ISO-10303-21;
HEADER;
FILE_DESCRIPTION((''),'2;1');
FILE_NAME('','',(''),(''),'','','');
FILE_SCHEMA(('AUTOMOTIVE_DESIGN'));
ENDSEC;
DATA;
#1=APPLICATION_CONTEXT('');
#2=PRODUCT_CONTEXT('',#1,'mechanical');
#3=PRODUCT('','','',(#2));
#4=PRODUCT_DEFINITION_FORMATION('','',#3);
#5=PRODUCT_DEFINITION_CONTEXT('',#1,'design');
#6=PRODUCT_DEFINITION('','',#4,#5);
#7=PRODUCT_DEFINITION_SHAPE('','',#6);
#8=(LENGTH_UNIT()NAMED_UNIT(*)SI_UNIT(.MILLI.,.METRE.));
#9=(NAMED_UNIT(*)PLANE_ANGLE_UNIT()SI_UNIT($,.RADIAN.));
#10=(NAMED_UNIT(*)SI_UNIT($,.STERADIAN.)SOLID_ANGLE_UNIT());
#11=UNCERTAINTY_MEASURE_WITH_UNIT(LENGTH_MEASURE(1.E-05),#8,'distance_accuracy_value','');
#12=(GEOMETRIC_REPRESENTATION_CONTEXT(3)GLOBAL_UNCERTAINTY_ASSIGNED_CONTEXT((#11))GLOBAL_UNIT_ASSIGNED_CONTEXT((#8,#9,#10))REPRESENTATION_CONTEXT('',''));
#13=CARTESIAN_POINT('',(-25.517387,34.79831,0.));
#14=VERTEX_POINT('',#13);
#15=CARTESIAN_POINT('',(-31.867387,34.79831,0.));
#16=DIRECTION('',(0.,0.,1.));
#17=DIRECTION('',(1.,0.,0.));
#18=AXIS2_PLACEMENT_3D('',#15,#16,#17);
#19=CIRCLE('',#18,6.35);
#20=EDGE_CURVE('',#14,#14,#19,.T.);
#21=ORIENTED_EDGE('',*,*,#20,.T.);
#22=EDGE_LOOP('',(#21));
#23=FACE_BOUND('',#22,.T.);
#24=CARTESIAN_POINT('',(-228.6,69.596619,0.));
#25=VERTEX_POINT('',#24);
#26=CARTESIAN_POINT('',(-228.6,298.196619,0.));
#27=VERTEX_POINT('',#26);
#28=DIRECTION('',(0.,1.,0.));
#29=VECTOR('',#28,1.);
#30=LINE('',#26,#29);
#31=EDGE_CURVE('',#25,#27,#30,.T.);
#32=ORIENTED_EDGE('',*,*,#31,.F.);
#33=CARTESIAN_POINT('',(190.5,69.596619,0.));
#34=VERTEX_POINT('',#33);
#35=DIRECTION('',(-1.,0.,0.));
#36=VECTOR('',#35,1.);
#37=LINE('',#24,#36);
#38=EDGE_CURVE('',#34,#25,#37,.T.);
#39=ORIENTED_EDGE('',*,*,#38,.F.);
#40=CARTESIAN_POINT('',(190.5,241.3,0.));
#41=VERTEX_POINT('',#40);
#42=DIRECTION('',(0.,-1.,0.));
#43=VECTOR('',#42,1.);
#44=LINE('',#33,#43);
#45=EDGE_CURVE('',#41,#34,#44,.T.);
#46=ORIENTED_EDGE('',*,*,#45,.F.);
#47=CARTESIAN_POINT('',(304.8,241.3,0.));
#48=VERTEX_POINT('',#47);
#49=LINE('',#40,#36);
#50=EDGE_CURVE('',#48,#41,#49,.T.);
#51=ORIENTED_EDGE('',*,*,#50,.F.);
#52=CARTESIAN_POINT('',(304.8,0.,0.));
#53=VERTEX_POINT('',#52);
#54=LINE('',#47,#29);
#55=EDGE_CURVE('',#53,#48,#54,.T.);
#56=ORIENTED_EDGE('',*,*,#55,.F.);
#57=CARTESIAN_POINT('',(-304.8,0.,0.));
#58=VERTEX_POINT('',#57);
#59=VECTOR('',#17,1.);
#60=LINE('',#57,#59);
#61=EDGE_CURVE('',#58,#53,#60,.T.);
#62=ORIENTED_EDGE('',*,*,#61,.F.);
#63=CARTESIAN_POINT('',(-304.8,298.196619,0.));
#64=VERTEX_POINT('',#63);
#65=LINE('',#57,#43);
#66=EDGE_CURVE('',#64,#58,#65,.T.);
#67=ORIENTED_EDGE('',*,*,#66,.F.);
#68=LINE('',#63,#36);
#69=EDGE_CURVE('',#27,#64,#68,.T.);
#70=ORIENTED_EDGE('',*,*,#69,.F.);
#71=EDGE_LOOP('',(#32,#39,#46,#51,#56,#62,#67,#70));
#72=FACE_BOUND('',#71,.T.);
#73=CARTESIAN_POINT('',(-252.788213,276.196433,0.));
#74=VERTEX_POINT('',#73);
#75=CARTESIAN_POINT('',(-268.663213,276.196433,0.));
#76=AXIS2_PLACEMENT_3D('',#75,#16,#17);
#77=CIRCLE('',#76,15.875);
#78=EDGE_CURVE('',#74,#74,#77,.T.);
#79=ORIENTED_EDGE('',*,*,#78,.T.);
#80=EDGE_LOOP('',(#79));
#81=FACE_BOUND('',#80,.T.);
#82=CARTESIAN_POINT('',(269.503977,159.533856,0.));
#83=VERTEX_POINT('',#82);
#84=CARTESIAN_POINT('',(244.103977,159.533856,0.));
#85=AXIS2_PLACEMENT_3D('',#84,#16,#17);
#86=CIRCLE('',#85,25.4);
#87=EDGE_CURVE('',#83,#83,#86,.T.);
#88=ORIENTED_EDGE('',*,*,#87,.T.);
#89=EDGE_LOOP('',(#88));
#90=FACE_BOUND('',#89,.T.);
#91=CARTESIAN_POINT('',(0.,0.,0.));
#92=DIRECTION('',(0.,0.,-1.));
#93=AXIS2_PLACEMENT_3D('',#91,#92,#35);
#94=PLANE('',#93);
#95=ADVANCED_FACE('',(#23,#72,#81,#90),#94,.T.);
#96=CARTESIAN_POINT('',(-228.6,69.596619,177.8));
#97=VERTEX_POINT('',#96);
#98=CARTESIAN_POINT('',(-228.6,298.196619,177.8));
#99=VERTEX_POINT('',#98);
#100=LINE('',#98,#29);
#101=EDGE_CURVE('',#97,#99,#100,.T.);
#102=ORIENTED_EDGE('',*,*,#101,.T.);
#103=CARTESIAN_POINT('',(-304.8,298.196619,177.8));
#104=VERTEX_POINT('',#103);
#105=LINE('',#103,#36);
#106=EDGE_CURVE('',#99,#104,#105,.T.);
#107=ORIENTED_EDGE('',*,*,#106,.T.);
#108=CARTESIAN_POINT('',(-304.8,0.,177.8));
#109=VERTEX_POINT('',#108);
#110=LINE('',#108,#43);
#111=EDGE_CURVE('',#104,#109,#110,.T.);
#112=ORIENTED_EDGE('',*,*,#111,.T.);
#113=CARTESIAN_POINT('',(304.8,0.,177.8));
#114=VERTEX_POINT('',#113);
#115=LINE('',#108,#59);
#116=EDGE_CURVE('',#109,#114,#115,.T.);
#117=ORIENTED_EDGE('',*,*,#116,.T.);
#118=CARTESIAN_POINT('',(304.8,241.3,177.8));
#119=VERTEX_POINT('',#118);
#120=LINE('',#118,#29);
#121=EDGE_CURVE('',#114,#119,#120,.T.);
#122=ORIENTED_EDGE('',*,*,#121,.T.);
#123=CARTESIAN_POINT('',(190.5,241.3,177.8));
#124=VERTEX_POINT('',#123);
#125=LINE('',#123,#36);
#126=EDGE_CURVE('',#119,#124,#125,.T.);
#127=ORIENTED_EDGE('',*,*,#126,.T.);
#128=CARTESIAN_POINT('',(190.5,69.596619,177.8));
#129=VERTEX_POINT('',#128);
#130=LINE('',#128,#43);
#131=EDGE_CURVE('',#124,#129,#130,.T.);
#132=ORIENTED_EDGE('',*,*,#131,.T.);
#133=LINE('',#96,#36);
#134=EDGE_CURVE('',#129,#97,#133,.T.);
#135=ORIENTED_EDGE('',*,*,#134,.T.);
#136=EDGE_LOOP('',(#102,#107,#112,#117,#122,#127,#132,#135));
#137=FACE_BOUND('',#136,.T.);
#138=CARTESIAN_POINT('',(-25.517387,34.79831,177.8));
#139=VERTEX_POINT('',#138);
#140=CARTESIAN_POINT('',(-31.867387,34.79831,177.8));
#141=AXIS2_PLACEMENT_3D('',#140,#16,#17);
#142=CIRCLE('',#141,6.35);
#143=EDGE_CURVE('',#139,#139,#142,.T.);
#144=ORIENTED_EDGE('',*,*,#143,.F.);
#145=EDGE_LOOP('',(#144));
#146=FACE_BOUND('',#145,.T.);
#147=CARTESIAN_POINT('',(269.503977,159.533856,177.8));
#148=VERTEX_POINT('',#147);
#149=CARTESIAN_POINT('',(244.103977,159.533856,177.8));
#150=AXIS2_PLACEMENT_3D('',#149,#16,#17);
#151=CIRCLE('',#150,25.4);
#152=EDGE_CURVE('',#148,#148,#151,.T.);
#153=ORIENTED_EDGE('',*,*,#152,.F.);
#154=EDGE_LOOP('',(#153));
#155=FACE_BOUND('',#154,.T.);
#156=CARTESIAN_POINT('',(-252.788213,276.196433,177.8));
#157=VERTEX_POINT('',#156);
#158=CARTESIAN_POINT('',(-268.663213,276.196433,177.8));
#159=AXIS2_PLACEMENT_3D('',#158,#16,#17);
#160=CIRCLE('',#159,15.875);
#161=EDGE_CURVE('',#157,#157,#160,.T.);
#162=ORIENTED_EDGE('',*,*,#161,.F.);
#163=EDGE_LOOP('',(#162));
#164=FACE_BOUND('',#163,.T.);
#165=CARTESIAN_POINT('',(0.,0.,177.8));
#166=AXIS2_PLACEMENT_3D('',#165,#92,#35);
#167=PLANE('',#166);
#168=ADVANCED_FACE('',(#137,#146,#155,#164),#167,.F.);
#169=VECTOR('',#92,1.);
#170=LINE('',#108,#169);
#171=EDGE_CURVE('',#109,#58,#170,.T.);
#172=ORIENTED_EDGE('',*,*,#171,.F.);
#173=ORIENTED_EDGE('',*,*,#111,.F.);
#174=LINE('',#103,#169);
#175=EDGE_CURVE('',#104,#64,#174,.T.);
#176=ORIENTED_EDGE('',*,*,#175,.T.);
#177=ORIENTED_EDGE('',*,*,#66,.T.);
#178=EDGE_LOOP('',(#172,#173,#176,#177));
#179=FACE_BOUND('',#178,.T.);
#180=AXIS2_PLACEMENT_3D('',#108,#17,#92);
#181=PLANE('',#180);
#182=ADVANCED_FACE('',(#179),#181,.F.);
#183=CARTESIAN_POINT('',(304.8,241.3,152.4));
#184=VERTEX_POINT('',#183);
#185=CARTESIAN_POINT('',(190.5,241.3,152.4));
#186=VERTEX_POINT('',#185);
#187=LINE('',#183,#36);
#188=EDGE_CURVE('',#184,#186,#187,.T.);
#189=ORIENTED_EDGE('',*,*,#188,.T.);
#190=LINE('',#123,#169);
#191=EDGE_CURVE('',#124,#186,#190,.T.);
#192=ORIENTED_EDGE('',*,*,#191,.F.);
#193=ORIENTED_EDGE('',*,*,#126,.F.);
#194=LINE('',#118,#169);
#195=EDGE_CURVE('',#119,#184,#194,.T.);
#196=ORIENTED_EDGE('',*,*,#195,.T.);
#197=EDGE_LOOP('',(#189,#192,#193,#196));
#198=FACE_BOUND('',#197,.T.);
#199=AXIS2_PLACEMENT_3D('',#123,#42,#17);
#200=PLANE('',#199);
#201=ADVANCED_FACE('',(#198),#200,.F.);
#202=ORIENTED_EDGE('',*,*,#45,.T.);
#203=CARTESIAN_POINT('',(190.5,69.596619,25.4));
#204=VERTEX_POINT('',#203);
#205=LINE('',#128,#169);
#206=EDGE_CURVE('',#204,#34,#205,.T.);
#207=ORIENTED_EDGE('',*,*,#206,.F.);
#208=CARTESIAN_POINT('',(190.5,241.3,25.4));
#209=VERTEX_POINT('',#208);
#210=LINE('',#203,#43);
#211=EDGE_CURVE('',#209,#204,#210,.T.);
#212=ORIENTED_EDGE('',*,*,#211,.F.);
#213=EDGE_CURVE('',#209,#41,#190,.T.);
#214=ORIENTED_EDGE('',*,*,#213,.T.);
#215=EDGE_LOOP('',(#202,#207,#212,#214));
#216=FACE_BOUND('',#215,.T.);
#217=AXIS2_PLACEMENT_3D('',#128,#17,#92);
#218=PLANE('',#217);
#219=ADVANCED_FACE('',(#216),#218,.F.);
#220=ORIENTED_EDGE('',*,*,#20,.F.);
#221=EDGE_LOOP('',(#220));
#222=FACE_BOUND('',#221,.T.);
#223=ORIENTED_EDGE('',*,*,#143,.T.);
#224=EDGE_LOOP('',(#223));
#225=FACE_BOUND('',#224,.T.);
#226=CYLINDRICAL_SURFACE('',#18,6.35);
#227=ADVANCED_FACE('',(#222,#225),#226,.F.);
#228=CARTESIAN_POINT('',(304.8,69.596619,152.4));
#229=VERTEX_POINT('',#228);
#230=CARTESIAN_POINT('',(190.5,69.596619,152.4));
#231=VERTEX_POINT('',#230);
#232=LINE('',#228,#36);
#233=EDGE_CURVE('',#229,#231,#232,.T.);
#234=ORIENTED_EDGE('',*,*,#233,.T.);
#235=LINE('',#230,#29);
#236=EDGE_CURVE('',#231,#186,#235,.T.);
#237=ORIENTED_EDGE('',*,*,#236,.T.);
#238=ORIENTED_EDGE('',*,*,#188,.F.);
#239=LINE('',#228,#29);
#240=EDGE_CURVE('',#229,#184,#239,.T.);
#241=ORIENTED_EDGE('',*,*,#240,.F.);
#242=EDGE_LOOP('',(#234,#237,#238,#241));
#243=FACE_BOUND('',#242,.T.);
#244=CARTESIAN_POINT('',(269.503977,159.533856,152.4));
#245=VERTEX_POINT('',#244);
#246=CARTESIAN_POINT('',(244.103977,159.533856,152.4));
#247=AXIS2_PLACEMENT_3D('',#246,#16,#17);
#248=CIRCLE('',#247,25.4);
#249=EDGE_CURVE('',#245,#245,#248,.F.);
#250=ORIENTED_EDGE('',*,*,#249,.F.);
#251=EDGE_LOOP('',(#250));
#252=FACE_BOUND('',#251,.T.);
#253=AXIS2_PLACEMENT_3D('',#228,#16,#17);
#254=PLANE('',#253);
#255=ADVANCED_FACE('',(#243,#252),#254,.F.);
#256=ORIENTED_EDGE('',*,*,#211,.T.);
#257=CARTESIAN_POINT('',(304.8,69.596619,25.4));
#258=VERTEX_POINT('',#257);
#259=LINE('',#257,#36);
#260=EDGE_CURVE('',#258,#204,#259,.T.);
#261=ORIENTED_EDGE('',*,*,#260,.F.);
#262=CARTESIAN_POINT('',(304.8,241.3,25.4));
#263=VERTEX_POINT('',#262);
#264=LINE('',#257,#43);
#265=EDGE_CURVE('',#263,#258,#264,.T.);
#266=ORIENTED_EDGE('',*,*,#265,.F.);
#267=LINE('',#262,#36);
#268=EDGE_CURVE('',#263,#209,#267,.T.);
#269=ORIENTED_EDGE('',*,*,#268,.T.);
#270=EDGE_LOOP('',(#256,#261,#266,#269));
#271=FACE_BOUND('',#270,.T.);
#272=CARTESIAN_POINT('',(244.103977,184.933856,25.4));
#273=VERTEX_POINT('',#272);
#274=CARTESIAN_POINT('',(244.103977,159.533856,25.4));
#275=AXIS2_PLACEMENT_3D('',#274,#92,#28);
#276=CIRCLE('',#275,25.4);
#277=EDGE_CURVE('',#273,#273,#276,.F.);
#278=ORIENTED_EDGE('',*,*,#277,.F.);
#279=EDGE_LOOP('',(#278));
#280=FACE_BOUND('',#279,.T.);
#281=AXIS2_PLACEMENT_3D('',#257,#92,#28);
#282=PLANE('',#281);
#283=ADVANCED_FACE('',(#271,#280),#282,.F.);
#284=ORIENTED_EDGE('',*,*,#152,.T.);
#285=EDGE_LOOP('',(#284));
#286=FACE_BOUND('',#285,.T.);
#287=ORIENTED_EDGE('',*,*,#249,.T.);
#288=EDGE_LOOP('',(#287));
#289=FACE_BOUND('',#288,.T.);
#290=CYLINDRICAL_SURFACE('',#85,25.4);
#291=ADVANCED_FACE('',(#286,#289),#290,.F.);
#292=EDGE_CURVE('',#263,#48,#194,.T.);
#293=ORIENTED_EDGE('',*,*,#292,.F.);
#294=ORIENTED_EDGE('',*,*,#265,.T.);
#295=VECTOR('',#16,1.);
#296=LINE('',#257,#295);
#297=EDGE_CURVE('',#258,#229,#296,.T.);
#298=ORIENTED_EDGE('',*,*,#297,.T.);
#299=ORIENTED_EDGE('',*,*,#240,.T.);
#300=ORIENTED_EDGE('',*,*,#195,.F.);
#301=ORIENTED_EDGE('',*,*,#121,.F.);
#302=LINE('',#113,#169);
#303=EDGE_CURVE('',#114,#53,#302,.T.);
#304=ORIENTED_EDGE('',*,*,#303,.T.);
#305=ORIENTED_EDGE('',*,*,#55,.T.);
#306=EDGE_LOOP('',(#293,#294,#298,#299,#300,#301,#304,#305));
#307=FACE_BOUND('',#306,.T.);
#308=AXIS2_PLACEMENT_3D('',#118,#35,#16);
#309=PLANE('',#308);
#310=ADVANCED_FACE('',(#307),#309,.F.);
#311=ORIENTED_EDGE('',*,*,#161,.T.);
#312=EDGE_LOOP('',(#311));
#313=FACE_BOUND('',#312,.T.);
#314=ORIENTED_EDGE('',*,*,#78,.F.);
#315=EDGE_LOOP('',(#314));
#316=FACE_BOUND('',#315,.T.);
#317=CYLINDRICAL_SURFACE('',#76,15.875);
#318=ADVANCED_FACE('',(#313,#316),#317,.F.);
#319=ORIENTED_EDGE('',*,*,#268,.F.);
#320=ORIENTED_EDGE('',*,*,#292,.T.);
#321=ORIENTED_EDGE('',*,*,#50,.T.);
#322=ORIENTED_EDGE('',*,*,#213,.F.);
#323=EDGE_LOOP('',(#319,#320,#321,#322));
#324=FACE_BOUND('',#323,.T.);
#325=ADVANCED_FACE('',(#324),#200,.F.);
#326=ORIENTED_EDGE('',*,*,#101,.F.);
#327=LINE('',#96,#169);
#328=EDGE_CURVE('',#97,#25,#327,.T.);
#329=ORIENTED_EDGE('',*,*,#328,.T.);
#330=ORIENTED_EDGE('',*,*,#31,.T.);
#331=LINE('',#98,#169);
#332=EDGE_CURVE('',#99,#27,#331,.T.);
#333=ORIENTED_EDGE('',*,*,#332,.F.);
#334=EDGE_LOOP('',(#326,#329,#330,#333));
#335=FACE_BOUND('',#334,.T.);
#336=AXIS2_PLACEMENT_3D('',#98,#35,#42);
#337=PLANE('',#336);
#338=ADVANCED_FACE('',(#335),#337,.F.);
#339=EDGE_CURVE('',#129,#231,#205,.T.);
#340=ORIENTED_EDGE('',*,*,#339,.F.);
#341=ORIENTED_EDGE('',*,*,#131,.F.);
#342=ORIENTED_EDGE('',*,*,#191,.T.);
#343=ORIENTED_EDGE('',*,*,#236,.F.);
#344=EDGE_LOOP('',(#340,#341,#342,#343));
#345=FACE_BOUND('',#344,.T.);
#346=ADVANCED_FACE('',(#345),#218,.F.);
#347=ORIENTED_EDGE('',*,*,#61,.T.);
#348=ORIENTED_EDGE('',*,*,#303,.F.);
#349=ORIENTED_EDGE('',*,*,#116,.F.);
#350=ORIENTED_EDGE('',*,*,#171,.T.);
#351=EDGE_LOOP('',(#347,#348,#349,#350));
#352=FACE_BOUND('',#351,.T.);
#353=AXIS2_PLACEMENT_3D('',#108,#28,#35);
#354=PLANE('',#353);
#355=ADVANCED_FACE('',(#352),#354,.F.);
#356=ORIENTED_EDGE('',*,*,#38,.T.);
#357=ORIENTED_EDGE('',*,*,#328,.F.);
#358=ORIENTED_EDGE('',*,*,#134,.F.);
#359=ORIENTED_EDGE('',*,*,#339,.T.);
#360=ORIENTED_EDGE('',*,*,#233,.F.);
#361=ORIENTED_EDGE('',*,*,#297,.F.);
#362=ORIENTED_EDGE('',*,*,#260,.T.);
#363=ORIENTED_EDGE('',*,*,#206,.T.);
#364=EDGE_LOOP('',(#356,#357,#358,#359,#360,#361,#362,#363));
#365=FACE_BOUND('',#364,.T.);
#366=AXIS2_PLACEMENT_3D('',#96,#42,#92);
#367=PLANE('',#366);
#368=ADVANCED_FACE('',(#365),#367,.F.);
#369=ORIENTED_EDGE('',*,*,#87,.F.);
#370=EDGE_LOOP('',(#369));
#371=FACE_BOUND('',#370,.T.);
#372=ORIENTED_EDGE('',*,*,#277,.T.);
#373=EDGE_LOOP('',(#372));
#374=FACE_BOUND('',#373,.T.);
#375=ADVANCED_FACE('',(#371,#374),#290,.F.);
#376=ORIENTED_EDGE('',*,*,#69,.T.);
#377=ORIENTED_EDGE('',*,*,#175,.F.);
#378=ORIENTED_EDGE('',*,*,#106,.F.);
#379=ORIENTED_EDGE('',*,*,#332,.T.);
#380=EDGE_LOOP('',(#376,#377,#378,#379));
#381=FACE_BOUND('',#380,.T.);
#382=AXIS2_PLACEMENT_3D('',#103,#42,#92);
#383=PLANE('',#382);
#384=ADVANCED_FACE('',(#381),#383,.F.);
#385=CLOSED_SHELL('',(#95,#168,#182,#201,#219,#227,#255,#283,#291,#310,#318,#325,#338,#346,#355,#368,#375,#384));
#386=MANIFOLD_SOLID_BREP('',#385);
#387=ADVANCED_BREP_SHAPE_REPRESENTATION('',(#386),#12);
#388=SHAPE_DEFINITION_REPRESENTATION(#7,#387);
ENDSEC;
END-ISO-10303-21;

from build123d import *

# Parameters (mm, degrees)
BOSS_EXTRUDE1_DEPTH = 177.8
SKETCH4_R           = 25.4
SKETCH4_R_2         = 15.875
SKETCH4_R_3         = 6.35
CUT_EXTRUDE1_DEPTH  = 462.992536298
SKETCH5_W           = 127
SKETCH5_H           = 171.70338098
CUT_EXTRUDE2_DEPTH  = 605.86044142


with BuildPart() as part:
    # Sketch1 → Boss-Extrude1 (new body)
    with BuildSketch(Plane.XY):
        Polygon((-304.8, 0), (304.8, 0), (304.8, 241.3), (190.5, 241.3), (190.5, 69.59661902), (-228.6, 69.59661902), (-228.6, 298.19661902), (-304.8, 298.19661902), align=None)
    extrude(amount=BOSS_EXTRUDE1_DEPTH)

    # Sketch4 → Cut-Extrude1 (cut, through all)
    with BuildSketch(Plane.XY.offset(177.8)):
        with Locations((244.103977456, 159.533856411)):
            Circle(SKETCH4_R)
        with Locations((-268.663213375, 276.196433082)):
            Circle(SKETCH4_R_2)
        with Locations((-31.867387375, 34.79830951)):
            Circle(SKETCH4_R_3)
    extrude(amount=-CUT_EXTRUDE1_DEPTH, mode=Mode.SUBTRACT)

    # Sketch5 → Cut-Extrude2 (cut, through all)
    with BuildSketch(Plane.ZY.offset(-190.5)):
        with Locations((88.9, 155.44830951)):
            Rectangle(SKETCH5_W, SKETCH5_H)
    extrude(amount=-CUT_EXTRUDE2_DEPTH, mode=Mode.SUBTRACT)


solid = part.part
